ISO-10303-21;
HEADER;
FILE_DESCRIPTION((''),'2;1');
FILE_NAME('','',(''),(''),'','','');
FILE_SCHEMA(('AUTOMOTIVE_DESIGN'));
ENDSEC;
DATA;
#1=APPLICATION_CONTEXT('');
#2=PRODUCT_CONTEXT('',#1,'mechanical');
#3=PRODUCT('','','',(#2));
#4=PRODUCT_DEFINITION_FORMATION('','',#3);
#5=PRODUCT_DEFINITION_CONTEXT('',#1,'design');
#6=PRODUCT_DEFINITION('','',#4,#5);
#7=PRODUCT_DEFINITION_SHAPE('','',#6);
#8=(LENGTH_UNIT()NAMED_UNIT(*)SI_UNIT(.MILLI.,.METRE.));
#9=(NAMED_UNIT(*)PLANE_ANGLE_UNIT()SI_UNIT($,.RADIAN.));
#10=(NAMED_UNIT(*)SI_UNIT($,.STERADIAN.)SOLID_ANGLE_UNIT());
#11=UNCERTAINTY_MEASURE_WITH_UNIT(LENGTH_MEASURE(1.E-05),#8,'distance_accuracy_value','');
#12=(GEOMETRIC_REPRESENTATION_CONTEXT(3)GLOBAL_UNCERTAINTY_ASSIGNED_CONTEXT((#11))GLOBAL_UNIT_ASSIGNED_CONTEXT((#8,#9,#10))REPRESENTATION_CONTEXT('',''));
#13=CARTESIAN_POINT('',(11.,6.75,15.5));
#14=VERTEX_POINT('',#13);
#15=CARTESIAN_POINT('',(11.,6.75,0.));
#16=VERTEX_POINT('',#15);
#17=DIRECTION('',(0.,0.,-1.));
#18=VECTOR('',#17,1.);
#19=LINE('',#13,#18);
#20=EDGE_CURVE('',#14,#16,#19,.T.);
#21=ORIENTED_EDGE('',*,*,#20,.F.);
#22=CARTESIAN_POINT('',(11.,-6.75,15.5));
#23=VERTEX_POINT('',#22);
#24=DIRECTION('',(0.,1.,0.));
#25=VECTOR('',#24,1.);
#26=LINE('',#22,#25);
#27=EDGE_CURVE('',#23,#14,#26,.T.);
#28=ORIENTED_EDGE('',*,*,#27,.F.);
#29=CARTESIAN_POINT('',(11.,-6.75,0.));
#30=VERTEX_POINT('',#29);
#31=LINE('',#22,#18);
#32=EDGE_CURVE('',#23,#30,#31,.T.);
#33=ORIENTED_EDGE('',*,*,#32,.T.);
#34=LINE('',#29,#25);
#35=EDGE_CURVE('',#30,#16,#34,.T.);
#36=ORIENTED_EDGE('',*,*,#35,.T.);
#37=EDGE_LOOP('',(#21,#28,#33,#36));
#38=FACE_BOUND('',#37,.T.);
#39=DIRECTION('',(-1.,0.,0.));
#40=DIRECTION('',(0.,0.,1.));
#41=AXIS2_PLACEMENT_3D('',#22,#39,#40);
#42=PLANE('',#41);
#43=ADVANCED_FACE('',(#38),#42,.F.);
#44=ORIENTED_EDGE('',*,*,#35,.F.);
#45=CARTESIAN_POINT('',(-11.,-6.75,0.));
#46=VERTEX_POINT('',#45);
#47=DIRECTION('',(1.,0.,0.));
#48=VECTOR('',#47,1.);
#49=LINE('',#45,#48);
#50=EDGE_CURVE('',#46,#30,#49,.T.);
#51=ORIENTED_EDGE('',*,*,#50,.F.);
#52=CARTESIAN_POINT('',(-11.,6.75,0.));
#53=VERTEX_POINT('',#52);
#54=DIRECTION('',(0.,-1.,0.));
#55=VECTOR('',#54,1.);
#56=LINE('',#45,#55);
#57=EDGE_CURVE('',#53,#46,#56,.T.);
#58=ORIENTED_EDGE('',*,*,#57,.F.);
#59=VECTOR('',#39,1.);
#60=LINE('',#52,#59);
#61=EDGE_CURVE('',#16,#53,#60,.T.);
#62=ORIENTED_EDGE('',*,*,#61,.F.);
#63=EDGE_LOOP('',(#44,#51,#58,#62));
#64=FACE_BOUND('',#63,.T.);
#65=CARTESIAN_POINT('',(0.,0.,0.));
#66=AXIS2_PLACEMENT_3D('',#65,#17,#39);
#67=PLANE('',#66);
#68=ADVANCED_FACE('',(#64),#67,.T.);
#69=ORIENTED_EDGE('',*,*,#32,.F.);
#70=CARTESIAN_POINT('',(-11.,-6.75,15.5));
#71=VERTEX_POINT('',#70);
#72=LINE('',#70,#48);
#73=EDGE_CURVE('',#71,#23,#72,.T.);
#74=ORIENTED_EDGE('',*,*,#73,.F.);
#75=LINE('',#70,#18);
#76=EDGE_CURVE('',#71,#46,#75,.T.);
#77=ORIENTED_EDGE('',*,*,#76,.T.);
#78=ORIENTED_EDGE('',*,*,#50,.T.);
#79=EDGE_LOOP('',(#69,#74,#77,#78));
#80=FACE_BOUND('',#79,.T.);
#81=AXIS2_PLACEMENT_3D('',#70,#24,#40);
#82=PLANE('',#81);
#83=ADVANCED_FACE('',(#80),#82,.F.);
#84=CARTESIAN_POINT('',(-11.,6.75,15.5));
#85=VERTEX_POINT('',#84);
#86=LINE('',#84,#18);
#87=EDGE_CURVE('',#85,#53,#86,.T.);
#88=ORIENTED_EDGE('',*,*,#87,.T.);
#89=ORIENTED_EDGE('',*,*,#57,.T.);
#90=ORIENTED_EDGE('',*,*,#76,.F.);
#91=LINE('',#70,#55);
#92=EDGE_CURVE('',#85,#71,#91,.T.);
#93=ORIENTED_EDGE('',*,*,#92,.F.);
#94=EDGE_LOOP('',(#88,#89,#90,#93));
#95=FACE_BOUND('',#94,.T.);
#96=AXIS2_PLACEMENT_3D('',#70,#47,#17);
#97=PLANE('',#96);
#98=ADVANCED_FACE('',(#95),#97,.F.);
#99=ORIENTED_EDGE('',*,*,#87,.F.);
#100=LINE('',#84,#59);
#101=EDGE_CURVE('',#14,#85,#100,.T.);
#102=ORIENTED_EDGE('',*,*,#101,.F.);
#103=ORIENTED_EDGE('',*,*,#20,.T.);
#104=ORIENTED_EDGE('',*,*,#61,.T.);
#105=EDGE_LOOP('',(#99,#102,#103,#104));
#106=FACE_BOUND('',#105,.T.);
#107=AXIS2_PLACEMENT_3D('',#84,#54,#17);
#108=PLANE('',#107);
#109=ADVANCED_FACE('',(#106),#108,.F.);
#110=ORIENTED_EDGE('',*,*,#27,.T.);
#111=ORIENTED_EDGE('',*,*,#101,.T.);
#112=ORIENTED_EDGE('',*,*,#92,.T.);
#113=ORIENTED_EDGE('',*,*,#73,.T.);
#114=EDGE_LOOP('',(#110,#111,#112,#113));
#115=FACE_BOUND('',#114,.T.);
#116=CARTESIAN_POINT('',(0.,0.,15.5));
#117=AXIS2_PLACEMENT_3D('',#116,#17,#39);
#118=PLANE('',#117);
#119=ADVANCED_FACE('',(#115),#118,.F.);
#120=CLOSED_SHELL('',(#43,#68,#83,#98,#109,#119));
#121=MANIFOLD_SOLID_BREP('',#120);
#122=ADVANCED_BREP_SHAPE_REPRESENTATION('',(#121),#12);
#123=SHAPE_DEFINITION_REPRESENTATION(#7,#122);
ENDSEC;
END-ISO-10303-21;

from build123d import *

# Parameters (mm, degrees)
SKETCH1_W      = 22
SKETCH1_H      = 13.5
ENVELOPE_DEPTH = 15.5


with BuildPart() as part:
    # Sketch1 → Envelope (new body)
    with BuildSketch(Plane.XY):
        Rectangle(SKETCH1_W, SKETCH1_H)
    extrude(amount=ENVELOPE_DEPTH)


solid = part.part
